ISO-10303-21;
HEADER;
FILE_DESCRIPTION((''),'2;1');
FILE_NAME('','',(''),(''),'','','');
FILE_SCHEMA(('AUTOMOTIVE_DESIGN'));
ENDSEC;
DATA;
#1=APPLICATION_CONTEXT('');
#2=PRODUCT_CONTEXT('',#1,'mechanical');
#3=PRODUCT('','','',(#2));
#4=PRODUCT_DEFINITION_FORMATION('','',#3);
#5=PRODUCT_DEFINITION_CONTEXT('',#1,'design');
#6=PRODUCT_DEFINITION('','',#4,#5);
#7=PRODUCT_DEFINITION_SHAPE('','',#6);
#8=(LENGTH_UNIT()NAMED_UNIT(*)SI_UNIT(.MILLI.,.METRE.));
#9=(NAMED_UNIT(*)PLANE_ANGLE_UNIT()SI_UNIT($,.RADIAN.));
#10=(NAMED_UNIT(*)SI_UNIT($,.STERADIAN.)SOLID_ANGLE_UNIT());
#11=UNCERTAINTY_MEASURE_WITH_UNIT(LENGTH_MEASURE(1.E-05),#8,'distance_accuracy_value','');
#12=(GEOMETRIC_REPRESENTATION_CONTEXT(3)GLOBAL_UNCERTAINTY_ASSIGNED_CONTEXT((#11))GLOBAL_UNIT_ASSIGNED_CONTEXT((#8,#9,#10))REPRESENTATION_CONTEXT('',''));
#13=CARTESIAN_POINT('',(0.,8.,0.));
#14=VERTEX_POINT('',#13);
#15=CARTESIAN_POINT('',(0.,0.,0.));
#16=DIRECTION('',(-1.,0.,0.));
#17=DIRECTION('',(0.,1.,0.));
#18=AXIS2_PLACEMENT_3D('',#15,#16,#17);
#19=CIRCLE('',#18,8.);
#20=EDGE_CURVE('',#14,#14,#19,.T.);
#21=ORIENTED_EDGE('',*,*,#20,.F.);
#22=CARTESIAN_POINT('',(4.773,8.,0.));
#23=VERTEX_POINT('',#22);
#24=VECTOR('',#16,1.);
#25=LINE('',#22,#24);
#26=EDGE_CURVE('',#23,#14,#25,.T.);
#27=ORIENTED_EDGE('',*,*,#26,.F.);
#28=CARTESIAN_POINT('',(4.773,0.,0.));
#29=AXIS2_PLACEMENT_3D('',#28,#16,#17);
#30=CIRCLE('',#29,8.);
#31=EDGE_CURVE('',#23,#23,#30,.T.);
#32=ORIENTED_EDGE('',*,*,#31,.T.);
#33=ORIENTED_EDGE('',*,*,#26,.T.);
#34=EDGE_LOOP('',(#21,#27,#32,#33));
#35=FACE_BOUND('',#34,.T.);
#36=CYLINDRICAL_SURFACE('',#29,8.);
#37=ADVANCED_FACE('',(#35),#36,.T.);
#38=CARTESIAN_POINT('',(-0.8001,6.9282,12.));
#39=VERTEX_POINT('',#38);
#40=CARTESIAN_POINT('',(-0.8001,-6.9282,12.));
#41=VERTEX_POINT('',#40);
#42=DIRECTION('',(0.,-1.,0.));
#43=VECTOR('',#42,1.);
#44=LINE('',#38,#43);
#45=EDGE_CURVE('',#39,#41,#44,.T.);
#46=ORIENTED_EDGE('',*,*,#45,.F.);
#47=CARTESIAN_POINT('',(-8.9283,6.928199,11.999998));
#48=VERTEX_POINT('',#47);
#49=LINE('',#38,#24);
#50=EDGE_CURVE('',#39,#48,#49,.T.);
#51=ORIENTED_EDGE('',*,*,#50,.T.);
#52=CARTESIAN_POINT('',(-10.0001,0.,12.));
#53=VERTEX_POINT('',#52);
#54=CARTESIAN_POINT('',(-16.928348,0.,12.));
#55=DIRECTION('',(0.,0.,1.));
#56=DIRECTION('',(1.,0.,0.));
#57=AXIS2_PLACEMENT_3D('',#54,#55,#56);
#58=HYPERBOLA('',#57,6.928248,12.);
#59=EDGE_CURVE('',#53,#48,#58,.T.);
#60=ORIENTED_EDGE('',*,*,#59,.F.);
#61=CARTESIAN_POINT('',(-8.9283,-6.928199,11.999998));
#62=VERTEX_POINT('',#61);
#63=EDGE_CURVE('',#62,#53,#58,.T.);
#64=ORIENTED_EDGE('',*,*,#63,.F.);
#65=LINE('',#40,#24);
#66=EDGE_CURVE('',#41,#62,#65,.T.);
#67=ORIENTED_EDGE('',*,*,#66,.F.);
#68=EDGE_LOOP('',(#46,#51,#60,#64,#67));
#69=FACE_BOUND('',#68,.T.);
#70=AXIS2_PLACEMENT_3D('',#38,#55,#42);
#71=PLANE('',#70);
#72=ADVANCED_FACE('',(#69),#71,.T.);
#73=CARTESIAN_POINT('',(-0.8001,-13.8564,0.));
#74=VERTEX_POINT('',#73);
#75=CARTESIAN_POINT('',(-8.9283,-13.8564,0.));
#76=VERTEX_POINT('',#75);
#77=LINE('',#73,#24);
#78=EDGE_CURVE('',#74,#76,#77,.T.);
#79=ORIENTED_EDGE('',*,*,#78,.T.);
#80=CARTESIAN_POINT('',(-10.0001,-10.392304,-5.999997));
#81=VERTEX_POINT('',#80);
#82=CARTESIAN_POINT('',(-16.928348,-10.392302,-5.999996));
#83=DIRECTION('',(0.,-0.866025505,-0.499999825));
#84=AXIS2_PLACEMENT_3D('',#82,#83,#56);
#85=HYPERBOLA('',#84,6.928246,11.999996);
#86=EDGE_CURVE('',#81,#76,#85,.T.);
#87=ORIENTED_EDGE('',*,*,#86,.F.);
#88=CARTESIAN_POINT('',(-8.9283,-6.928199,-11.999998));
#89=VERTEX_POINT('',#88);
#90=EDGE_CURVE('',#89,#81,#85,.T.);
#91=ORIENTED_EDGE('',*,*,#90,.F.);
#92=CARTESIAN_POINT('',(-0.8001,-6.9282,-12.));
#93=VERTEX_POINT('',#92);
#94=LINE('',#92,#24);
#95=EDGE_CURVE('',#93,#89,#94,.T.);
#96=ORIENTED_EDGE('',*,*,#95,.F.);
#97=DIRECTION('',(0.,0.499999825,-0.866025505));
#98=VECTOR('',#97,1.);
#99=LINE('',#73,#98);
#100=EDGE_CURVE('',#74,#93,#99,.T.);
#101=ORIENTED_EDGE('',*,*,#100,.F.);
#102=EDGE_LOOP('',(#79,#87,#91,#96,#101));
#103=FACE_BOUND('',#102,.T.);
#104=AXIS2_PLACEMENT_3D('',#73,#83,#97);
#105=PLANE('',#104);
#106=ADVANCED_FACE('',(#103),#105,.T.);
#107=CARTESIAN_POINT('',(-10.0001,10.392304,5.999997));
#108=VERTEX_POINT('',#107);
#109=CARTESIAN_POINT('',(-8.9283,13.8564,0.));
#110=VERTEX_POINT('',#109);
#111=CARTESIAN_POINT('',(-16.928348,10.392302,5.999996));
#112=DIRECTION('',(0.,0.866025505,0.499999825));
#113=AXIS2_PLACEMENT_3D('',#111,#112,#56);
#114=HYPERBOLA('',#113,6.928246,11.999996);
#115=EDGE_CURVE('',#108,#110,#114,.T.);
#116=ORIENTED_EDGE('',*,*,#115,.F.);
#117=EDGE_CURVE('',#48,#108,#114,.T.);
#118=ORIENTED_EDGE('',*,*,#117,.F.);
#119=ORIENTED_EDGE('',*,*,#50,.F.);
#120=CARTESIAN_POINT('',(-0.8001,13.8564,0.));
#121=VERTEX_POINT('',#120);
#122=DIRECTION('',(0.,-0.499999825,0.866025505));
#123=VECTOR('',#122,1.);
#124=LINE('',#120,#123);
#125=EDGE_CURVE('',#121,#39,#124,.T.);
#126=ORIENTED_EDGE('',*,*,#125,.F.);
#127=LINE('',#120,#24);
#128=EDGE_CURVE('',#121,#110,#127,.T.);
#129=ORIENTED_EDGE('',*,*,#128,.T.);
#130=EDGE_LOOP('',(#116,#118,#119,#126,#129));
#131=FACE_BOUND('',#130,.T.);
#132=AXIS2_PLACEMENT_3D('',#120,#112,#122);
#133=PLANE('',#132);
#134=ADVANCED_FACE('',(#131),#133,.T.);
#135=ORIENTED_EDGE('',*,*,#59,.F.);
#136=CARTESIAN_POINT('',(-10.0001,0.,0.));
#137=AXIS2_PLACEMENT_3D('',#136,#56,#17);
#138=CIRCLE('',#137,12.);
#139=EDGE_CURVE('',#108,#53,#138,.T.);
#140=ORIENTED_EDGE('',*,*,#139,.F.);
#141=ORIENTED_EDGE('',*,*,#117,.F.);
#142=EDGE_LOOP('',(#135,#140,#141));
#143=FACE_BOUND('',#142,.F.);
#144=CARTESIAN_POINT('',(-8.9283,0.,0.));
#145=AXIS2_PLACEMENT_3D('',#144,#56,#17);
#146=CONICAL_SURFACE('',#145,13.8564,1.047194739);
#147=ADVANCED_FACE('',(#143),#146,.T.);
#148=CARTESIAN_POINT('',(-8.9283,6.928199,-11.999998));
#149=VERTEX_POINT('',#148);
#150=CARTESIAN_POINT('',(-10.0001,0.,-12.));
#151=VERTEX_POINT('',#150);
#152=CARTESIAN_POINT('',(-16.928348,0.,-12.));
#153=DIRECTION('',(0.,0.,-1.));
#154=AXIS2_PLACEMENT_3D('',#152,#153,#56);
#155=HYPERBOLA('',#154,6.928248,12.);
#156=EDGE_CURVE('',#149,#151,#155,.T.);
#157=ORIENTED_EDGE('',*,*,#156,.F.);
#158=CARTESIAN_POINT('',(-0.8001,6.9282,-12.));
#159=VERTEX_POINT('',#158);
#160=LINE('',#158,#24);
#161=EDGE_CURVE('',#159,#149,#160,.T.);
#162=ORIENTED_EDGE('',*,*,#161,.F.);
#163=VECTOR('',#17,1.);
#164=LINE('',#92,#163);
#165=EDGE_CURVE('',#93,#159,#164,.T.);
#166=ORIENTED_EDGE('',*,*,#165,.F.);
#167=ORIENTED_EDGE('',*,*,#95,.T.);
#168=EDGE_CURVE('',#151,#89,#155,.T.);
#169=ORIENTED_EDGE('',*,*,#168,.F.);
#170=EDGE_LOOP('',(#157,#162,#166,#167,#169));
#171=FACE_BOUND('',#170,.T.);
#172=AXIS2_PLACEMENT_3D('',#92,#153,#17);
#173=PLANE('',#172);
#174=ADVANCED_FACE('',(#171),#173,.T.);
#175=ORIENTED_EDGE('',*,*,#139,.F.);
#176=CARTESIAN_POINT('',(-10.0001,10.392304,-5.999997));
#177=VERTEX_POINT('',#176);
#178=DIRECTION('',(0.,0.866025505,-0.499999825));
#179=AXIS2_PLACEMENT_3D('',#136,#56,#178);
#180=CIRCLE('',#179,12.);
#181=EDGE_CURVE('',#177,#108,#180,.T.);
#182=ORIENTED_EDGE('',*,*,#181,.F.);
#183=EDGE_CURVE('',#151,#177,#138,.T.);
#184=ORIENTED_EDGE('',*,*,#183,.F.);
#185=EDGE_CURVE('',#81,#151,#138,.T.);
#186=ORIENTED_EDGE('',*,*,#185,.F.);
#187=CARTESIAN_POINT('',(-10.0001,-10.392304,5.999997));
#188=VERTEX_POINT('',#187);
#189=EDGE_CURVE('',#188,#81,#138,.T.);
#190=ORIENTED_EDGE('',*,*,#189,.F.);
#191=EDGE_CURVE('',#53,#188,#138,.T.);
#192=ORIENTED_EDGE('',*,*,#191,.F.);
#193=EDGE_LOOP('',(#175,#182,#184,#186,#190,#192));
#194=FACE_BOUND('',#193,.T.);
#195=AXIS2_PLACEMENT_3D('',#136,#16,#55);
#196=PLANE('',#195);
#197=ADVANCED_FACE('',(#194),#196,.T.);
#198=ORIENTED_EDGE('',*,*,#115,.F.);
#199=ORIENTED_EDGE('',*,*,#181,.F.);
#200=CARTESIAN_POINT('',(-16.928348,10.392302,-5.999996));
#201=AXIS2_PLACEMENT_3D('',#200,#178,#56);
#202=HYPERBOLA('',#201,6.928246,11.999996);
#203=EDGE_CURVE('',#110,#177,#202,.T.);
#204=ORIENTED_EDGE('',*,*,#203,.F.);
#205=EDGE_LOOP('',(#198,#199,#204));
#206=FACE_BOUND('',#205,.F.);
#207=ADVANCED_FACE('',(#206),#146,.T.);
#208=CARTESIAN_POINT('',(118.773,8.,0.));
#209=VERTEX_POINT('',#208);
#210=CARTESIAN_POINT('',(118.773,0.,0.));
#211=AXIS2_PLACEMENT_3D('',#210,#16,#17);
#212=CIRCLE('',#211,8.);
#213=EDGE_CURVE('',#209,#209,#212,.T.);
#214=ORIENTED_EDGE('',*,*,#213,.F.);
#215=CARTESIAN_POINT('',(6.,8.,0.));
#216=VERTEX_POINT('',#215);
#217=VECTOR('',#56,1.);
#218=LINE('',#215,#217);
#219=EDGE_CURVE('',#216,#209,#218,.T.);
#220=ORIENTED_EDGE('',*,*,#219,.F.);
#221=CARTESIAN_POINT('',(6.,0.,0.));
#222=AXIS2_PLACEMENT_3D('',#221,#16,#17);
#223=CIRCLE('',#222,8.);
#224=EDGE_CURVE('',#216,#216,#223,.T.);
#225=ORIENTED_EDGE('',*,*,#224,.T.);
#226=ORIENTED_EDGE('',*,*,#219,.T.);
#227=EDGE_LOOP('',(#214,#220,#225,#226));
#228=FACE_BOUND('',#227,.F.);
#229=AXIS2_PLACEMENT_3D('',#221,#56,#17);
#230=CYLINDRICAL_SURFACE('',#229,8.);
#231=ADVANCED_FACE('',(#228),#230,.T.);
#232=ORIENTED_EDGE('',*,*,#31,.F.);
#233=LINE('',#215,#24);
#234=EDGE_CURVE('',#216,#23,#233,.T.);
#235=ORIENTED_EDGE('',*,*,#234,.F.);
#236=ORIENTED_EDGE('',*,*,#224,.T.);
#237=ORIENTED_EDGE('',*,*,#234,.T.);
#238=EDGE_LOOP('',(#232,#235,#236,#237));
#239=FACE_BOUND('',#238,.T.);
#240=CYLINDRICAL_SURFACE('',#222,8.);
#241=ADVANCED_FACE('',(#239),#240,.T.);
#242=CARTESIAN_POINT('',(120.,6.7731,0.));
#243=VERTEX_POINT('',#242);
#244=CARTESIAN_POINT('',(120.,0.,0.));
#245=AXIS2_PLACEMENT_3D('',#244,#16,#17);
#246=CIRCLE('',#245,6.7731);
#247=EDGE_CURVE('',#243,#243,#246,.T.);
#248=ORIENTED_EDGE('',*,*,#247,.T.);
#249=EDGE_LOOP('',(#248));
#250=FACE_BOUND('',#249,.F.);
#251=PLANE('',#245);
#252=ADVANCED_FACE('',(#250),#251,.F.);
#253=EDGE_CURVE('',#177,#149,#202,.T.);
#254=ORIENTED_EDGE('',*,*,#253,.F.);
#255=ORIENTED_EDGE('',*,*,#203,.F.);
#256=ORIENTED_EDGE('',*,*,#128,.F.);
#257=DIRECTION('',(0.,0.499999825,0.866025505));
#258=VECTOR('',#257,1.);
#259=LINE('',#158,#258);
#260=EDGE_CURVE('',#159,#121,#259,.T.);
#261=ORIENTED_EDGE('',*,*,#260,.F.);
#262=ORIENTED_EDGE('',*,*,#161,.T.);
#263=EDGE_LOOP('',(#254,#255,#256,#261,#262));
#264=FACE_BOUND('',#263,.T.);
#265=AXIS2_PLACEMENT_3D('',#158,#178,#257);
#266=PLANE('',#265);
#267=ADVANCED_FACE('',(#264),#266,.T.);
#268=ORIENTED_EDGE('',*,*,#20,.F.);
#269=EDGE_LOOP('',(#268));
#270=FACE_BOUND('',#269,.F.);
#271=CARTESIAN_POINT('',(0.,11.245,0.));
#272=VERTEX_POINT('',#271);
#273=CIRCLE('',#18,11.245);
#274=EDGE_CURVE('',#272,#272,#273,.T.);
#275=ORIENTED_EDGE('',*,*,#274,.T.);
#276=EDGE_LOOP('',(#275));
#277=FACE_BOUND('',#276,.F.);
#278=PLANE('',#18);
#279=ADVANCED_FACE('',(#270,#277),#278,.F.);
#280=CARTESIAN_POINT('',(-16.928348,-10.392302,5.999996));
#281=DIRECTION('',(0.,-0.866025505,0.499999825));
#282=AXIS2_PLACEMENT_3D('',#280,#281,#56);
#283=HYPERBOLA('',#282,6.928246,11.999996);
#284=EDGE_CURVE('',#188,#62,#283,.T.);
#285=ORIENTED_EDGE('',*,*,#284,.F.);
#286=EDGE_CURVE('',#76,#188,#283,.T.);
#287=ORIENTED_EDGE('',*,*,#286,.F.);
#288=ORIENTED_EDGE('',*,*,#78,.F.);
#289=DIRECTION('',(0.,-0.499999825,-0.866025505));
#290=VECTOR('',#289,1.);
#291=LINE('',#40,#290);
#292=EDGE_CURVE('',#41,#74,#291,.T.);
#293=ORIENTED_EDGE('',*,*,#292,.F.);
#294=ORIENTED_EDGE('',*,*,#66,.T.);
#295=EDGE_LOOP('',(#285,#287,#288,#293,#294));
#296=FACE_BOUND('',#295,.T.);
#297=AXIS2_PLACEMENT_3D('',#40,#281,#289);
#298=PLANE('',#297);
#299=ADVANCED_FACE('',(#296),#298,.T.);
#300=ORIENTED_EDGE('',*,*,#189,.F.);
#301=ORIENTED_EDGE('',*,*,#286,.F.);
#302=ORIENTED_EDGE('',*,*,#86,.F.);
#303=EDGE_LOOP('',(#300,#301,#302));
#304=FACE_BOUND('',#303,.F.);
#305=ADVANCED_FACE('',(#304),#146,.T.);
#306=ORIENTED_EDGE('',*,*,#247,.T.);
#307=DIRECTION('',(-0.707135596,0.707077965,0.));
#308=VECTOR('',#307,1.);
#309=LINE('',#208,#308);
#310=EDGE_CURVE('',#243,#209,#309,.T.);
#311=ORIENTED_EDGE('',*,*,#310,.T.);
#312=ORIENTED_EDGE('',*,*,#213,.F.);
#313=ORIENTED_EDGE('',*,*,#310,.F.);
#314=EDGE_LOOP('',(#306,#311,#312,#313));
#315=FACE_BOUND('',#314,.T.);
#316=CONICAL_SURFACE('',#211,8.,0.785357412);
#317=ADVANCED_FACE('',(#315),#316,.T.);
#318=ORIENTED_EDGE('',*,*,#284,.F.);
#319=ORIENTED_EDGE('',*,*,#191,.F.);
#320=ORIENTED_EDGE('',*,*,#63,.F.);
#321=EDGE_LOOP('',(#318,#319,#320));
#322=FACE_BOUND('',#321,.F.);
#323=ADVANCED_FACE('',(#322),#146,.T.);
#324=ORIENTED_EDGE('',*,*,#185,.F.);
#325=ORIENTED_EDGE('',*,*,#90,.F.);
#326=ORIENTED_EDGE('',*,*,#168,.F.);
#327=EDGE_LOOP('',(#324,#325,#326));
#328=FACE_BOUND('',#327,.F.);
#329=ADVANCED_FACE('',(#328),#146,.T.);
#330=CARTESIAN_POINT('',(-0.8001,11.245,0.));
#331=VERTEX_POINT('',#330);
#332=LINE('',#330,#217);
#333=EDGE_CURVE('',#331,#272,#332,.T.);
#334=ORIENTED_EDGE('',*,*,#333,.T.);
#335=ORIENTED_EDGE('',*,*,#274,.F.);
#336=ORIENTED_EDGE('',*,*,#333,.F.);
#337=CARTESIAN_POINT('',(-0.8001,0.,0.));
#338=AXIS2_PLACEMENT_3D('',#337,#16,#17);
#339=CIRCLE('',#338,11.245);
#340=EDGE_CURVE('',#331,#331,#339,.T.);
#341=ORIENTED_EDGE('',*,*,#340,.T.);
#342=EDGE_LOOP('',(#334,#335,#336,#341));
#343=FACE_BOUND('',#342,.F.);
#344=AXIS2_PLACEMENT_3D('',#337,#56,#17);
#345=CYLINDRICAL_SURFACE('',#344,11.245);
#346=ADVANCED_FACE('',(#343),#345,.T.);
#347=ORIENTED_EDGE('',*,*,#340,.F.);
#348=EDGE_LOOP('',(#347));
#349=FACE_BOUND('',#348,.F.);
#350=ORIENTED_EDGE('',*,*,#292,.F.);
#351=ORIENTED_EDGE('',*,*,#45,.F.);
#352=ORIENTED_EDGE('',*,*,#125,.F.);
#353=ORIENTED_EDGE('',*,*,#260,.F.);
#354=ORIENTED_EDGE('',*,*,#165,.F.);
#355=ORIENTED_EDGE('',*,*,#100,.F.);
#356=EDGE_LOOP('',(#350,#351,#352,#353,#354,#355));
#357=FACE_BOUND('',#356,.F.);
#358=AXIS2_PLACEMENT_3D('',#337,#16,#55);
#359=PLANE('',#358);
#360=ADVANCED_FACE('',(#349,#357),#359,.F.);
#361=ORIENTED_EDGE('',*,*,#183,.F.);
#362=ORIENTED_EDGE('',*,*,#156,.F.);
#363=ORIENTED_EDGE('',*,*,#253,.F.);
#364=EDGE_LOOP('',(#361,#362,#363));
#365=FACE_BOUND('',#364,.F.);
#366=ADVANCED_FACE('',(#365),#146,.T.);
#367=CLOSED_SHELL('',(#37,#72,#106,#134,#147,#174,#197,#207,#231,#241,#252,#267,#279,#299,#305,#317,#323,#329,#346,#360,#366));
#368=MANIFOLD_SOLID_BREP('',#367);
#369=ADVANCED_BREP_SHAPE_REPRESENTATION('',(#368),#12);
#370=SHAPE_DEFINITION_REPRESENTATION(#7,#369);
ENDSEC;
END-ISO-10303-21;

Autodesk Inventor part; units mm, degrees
ref_plane "YZ Plane" through (0, 0, 0) normal (1, 0, 0) x (0, 1, 0)
ref_plane "XZ Plane" through (0, 0, 0) normal (0, 1, 0) x (-1, 0, 0)
sketch "Sketch1" plane through (0, 0, 0) normal (0, 0, 1) x (1, 0, 0)
  line L0 (0, 11.245) -> (0, 8)
  line L1 (6, 8) -> (120, 8)
  line L2 (120, 8) -> (120, 0)
  line L3 (120, 0) -> (-0.8001, 0)
  line L4 (-24.9601, 0) -> (144.16, 0) projected
  line L5 (-0.8001, 0) -> (-0.8001, 11.245)
  line L6 (-0.8001, 11.245) -> (0, 11.245)
  line L7 (6, 8) -> (4.773, 8)
  line L8 (4.773, 8) -> (0, 8)
  line L9 (0, -2.249) -> (0, 13.494) projected
  dimension "d0" = 120
  dimension "d1" = 114
  dimension "d2" = 16
  dimension "d9" = 0.8001
  dimension "d10" = 22.49
  dimension "d13" = 1.227
  dimension "d14" = 16
revolve "Body" add sketch "Sketch1" angle 360 about axis through (120, 0, 0) along (-1, 0, 0)
sketch "Sketch2" plane through (-0.8001, 0, 0) normal (-1, 0, 0) x (0, 0, 1)
  line L0 (0, 13.8564) -> (12, 6.9282)
  line L1 (12, 6.9282) -> (12, -6.9282)
  line L2 (12, -6.9282) -> (0, -13.8564)
  line L3 (0, -13.8564) -> (-12, -6.9282)
  line L4 (-12, -6.9282) -> (-12, 6.9282)
  line L5 (-12, 6.9282) -> (0, 13.8564)
  point P0 (0, 0)
  point P1 (0, 0)
  dimension "d11" = 24
extrude "Head" add sketch "Sketch2" along normal blind 9.2
sketch "Sketch4" plane through (0, 0, 0) normal (0, 0, 1) x (1, 0, 0)
  line L0 (-10.0001, 12) -> (-10.0001, 13.8564)
  line L1 (-10.0001, 13.8564) -> (-8.9283, 13.8564)
  line L2 (-8.9283, 13.8564) -> (-10.0001, 12)
  line L3 (-11.8401, 0) -> (1.0399, 0) projected
  line L4 (-0.8001, 13.8564) -> (-10.0001, 13.8564) projected
  line L5 (-10.0001, 6.9282) -> (-10.0001, 13.8564) projected
  dimension "d5" = 30
  dimension "d19" = 24
revolve "Chamfer1" cut sketch "Sketch4" angle 360 about axis through (-10, 0, 0) along (1, 0, 0)
thread "Thread" size "M16x2" class "6g" standard "ISO Metric profile" length 114
chamfer "Chamfer2" distance 1.2269 distance2 1.227 1 edges at (120, -8, 0) measured on face at (120, 0.8907, 2.0408)
ref_plane "Work Plane1" through (1.525, 0, 0) normal (0, 0, 1) x (1, 0, 0)
equation "\"d0\" = NLG"
equation "\"d1\" = GEL"
equation "\"d2\" = GD"
equation "\"d10\" = SD2"
equation "\"d14\" = BDM"
equation "\"d11\" = SW"
equation "\"d3\" = KOH - SD"
equation "\"d5\" = ANG1"
equation "\"d19\" = SW0"
equation "\"d15\" = GEL"
equation "\"d6\" = -0.5 * SPD + 0.5 * GD"
equation "\"NLG\" = 120"
equation "\"GD\" = NND"
equation "\"BDM\" = NND"
equation "\"KOH\" = 10"
equation "\"GEL\" = 114"
equation "\"SW\" = 24"
equation "\"SW0\" = SW"
equation "\"SPD\" = NND - 1.2269 * PTC"
equation "\"SD2\" = 22.49"
equation "\"SD\" = 0.8"
equation "\"ANG1\" = 30deg"
equation "\"GAL\" = 0.61345 * PTC"
equation "\"GUL\" = 0.61345 * PTC"
equation "\"RR\" = 0.6"
equation "\"GD1\" = THREADDIA - 1.2269 * PTC"
equation "\"THREADDIA\" = 16"
equation "\"SDH\" = SD2"
equation "\"SDHG\" = 6"
equation "\"TOA\" = 30deg"
equation "\"PTC\" = 2"
equation "\"NND\" = 16"
equation "\"E0\" = 27.72"
properties part number "ISO 4017 - M16 x 120" material "Steel, Mild"
